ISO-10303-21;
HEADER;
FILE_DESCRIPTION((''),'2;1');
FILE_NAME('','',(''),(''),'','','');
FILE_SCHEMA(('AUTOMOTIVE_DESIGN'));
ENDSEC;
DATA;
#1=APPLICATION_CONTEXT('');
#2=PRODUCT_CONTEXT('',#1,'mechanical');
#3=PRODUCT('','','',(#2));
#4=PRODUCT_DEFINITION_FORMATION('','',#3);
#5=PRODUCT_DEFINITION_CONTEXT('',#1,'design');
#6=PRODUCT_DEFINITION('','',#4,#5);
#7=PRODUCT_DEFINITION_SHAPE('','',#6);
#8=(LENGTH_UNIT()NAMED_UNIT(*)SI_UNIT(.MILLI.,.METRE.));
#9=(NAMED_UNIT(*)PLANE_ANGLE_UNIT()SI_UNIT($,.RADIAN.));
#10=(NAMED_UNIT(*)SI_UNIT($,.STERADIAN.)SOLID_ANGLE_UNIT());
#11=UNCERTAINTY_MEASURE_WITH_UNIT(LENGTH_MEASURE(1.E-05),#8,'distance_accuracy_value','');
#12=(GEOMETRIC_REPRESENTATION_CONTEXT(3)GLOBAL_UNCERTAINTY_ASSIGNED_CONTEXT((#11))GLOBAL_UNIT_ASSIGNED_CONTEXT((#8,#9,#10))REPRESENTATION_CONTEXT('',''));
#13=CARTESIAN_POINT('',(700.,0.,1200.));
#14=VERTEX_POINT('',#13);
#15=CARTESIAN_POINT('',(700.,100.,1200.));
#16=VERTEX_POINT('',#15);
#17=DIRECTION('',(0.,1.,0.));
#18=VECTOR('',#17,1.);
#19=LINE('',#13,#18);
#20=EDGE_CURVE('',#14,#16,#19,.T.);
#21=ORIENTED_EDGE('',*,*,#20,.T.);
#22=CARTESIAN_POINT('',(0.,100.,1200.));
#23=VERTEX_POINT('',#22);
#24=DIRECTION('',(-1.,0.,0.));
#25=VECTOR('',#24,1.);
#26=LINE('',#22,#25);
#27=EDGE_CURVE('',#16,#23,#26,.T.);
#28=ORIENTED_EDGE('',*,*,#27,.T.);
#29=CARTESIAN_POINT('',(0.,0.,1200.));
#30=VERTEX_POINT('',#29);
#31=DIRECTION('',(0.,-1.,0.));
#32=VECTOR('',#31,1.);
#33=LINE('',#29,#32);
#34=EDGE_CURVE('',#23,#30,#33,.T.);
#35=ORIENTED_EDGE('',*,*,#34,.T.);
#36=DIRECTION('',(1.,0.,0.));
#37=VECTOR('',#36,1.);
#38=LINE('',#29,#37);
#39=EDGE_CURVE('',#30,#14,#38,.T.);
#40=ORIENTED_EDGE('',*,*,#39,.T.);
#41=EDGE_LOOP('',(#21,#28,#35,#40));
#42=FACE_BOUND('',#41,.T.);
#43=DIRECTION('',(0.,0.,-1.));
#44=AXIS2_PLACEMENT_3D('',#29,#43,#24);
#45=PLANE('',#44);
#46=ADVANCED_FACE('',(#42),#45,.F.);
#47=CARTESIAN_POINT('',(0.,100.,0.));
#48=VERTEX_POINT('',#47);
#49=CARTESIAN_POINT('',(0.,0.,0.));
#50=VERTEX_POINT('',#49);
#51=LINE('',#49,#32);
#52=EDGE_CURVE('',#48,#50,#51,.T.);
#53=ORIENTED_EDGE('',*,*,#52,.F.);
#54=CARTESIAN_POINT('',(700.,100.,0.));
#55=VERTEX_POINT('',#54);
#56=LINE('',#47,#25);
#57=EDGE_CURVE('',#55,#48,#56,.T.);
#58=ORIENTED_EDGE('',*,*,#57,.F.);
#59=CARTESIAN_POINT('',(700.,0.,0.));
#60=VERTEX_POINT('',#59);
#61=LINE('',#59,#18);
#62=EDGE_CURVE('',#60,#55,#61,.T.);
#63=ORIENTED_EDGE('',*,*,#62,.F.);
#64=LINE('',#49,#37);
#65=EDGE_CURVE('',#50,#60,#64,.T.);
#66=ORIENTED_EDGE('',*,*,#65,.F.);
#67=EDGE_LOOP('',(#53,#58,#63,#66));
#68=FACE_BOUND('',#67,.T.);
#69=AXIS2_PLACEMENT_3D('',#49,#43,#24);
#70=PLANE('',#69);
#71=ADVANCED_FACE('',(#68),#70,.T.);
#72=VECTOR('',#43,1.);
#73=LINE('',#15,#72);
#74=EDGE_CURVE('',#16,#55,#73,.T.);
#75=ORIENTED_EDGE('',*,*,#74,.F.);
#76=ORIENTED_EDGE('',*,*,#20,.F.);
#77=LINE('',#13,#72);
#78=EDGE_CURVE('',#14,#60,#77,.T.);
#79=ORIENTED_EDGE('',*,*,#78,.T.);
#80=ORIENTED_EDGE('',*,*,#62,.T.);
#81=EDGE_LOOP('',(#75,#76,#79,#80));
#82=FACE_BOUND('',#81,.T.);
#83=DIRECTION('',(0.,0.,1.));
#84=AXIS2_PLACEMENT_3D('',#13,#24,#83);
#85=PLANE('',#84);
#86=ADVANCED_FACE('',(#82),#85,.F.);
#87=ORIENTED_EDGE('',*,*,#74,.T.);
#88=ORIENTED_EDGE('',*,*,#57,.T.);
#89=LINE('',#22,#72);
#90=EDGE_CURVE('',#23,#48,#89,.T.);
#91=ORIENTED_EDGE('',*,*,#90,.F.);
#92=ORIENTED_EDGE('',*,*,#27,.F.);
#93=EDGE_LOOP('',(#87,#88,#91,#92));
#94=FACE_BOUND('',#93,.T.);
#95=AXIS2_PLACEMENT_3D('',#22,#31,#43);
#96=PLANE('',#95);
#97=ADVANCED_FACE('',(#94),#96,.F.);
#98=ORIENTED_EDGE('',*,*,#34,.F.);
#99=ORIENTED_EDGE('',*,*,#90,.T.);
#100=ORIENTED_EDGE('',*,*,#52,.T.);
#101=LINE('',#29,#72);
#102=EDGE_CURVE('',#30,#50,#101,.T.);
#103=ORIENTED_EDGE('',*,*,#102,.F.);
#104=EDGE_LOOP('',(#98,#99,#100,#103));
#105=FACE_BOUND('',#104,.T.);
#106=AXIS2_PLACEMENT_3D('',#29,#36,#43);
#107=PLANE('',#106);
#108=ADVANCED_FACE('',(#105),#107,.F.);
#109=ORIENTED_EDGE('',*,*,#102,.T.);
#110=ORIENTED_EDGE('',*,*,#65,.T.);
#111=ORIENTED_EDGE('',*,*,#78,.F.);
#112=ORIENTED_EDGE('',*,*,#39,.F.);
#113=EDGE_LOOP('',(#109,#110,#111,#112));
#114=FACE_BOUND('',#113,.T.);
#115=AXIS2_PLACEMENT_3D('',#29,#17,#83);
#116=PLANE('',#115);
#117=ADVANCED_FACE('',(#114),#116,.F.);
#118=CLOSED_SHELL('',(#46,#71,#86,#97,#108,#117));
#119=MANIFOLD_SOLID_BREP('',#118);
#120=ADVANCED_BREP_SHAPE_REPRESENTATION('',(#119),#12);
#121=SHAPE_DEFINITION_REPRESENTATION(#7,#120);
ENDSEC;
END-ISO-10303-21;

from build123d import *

# Parameters (mm, degrees)
ESBO_O1_W                = 700
ESBO_O1_H                = 100
RESSALTO_EXTRUS_O1_DEPTH = 1200


with BuildPart() as part:
    # Esboço1 → Ressalto-extrusão1 (new body)
    with BuildSketch(Plane.XY):
        with Locations((350, 50)):
            Rectangle(ESBO_O1_W, ESBO_O1_H)
    extrude(amount=RESSALTO_EXTRUS_O1_DEPTH)


solid = part.part
